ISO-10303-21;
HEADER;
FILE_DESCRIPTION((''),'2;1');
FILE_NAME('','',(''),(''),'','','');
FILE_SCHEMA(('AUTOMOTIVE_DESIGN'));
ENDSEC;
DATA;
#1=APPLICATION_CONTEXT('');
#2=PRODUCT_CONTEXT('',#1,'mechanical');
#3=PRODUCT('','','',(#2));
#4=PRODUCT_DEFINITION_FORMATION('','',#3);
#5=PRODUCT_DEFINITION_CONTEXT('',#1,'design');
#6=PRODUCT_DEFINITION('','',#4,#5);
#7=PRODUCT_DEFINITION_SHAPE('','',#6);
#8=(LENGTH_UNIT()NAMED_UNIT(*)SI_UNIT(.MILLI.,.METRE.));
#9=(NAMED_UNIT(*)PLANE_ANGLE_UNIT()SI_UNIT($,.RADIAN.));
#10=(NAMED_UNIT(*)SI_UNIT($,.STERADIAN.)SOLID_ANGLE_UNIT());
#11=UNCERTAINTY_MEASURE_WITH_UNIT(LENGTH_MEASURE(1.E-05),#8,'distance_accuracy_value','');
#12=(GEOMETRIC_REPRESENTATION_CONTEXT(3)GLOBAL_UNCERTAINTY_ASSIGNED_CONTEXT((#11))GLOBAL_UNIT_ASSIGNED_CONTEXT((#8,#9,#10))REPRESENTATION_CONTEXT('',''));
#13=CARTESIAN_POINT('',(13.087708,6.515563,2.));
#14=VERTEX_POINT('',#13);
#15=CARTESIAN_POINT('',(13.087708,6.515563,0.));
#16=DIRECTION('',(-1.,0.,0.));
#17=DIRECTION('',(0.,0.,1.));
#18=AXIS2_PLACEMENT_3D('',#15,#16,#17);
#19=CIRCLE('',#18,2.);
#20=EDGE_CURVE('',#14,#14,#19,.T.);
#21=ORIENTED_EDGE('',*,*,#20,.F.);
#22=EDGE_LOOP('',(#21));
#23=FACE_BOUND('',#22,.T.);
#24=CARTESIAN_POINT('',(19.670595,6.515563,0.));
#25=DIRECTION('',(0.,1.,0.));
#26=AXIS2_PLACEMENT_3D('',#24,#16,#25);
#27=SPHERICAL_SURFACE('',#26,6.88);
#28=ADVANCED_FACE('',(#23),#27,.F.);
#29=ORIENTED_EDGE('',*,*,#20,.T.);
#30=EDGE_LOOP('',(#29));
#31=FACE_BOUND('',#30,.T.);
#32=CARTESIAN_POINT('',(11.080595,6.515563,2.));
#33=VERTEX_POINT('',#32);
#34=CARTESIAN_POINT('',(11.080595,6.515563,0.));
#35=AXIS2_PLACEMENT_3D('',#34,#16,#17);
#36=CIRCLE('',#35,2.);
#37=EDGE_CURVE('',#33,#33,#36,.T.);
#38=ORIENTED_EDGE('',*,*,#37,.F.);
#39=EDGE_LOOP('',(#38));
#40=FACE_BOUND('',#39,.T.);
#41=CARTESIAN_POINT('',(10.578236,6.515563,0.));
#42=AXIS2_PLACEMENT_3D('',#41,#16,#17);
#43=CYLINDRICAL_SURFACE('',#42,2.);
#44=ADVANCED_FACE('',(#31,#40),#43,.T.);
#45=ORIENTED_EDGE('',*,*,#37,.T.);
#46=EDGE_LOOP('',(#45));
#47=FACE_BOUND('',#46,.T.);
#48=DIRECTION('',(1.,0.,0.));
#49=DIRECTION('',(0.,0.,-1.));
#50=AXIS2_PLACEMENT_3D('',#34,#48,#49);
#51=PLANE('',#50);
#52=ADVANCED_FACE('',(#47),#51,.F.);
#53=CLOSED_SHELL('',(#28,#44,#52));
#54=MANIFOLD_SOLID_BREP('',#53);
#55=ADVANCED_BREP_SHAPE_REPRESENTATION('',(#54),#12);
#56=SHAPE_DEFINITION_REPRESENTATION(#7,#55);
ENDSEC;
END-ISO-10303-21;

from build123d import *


with BuildPart() as part:
    # 草图1 → 旋转1 (revolve)
    with BuildSketch(Plane.XY):
        with BuildLine():
            Line((11.080595085, 6.515563046), (11.080595085, 8.515563046))
            Line((11.080595085, 8.515563046), (13.08770818, 8.515563046))
            ThreePointArc((13.08770818, 8.515563046), (12.865278711, 7.526537352), (12.790595085, 6.515563046))
            Line((12.790595085, 6.515563046), (11.080595085, 6.515563046))
        make_face()
    revolve(axis=Axis((10.578235961, 6.515563046, 0), (1, 0, 0)))


solid = part.part
